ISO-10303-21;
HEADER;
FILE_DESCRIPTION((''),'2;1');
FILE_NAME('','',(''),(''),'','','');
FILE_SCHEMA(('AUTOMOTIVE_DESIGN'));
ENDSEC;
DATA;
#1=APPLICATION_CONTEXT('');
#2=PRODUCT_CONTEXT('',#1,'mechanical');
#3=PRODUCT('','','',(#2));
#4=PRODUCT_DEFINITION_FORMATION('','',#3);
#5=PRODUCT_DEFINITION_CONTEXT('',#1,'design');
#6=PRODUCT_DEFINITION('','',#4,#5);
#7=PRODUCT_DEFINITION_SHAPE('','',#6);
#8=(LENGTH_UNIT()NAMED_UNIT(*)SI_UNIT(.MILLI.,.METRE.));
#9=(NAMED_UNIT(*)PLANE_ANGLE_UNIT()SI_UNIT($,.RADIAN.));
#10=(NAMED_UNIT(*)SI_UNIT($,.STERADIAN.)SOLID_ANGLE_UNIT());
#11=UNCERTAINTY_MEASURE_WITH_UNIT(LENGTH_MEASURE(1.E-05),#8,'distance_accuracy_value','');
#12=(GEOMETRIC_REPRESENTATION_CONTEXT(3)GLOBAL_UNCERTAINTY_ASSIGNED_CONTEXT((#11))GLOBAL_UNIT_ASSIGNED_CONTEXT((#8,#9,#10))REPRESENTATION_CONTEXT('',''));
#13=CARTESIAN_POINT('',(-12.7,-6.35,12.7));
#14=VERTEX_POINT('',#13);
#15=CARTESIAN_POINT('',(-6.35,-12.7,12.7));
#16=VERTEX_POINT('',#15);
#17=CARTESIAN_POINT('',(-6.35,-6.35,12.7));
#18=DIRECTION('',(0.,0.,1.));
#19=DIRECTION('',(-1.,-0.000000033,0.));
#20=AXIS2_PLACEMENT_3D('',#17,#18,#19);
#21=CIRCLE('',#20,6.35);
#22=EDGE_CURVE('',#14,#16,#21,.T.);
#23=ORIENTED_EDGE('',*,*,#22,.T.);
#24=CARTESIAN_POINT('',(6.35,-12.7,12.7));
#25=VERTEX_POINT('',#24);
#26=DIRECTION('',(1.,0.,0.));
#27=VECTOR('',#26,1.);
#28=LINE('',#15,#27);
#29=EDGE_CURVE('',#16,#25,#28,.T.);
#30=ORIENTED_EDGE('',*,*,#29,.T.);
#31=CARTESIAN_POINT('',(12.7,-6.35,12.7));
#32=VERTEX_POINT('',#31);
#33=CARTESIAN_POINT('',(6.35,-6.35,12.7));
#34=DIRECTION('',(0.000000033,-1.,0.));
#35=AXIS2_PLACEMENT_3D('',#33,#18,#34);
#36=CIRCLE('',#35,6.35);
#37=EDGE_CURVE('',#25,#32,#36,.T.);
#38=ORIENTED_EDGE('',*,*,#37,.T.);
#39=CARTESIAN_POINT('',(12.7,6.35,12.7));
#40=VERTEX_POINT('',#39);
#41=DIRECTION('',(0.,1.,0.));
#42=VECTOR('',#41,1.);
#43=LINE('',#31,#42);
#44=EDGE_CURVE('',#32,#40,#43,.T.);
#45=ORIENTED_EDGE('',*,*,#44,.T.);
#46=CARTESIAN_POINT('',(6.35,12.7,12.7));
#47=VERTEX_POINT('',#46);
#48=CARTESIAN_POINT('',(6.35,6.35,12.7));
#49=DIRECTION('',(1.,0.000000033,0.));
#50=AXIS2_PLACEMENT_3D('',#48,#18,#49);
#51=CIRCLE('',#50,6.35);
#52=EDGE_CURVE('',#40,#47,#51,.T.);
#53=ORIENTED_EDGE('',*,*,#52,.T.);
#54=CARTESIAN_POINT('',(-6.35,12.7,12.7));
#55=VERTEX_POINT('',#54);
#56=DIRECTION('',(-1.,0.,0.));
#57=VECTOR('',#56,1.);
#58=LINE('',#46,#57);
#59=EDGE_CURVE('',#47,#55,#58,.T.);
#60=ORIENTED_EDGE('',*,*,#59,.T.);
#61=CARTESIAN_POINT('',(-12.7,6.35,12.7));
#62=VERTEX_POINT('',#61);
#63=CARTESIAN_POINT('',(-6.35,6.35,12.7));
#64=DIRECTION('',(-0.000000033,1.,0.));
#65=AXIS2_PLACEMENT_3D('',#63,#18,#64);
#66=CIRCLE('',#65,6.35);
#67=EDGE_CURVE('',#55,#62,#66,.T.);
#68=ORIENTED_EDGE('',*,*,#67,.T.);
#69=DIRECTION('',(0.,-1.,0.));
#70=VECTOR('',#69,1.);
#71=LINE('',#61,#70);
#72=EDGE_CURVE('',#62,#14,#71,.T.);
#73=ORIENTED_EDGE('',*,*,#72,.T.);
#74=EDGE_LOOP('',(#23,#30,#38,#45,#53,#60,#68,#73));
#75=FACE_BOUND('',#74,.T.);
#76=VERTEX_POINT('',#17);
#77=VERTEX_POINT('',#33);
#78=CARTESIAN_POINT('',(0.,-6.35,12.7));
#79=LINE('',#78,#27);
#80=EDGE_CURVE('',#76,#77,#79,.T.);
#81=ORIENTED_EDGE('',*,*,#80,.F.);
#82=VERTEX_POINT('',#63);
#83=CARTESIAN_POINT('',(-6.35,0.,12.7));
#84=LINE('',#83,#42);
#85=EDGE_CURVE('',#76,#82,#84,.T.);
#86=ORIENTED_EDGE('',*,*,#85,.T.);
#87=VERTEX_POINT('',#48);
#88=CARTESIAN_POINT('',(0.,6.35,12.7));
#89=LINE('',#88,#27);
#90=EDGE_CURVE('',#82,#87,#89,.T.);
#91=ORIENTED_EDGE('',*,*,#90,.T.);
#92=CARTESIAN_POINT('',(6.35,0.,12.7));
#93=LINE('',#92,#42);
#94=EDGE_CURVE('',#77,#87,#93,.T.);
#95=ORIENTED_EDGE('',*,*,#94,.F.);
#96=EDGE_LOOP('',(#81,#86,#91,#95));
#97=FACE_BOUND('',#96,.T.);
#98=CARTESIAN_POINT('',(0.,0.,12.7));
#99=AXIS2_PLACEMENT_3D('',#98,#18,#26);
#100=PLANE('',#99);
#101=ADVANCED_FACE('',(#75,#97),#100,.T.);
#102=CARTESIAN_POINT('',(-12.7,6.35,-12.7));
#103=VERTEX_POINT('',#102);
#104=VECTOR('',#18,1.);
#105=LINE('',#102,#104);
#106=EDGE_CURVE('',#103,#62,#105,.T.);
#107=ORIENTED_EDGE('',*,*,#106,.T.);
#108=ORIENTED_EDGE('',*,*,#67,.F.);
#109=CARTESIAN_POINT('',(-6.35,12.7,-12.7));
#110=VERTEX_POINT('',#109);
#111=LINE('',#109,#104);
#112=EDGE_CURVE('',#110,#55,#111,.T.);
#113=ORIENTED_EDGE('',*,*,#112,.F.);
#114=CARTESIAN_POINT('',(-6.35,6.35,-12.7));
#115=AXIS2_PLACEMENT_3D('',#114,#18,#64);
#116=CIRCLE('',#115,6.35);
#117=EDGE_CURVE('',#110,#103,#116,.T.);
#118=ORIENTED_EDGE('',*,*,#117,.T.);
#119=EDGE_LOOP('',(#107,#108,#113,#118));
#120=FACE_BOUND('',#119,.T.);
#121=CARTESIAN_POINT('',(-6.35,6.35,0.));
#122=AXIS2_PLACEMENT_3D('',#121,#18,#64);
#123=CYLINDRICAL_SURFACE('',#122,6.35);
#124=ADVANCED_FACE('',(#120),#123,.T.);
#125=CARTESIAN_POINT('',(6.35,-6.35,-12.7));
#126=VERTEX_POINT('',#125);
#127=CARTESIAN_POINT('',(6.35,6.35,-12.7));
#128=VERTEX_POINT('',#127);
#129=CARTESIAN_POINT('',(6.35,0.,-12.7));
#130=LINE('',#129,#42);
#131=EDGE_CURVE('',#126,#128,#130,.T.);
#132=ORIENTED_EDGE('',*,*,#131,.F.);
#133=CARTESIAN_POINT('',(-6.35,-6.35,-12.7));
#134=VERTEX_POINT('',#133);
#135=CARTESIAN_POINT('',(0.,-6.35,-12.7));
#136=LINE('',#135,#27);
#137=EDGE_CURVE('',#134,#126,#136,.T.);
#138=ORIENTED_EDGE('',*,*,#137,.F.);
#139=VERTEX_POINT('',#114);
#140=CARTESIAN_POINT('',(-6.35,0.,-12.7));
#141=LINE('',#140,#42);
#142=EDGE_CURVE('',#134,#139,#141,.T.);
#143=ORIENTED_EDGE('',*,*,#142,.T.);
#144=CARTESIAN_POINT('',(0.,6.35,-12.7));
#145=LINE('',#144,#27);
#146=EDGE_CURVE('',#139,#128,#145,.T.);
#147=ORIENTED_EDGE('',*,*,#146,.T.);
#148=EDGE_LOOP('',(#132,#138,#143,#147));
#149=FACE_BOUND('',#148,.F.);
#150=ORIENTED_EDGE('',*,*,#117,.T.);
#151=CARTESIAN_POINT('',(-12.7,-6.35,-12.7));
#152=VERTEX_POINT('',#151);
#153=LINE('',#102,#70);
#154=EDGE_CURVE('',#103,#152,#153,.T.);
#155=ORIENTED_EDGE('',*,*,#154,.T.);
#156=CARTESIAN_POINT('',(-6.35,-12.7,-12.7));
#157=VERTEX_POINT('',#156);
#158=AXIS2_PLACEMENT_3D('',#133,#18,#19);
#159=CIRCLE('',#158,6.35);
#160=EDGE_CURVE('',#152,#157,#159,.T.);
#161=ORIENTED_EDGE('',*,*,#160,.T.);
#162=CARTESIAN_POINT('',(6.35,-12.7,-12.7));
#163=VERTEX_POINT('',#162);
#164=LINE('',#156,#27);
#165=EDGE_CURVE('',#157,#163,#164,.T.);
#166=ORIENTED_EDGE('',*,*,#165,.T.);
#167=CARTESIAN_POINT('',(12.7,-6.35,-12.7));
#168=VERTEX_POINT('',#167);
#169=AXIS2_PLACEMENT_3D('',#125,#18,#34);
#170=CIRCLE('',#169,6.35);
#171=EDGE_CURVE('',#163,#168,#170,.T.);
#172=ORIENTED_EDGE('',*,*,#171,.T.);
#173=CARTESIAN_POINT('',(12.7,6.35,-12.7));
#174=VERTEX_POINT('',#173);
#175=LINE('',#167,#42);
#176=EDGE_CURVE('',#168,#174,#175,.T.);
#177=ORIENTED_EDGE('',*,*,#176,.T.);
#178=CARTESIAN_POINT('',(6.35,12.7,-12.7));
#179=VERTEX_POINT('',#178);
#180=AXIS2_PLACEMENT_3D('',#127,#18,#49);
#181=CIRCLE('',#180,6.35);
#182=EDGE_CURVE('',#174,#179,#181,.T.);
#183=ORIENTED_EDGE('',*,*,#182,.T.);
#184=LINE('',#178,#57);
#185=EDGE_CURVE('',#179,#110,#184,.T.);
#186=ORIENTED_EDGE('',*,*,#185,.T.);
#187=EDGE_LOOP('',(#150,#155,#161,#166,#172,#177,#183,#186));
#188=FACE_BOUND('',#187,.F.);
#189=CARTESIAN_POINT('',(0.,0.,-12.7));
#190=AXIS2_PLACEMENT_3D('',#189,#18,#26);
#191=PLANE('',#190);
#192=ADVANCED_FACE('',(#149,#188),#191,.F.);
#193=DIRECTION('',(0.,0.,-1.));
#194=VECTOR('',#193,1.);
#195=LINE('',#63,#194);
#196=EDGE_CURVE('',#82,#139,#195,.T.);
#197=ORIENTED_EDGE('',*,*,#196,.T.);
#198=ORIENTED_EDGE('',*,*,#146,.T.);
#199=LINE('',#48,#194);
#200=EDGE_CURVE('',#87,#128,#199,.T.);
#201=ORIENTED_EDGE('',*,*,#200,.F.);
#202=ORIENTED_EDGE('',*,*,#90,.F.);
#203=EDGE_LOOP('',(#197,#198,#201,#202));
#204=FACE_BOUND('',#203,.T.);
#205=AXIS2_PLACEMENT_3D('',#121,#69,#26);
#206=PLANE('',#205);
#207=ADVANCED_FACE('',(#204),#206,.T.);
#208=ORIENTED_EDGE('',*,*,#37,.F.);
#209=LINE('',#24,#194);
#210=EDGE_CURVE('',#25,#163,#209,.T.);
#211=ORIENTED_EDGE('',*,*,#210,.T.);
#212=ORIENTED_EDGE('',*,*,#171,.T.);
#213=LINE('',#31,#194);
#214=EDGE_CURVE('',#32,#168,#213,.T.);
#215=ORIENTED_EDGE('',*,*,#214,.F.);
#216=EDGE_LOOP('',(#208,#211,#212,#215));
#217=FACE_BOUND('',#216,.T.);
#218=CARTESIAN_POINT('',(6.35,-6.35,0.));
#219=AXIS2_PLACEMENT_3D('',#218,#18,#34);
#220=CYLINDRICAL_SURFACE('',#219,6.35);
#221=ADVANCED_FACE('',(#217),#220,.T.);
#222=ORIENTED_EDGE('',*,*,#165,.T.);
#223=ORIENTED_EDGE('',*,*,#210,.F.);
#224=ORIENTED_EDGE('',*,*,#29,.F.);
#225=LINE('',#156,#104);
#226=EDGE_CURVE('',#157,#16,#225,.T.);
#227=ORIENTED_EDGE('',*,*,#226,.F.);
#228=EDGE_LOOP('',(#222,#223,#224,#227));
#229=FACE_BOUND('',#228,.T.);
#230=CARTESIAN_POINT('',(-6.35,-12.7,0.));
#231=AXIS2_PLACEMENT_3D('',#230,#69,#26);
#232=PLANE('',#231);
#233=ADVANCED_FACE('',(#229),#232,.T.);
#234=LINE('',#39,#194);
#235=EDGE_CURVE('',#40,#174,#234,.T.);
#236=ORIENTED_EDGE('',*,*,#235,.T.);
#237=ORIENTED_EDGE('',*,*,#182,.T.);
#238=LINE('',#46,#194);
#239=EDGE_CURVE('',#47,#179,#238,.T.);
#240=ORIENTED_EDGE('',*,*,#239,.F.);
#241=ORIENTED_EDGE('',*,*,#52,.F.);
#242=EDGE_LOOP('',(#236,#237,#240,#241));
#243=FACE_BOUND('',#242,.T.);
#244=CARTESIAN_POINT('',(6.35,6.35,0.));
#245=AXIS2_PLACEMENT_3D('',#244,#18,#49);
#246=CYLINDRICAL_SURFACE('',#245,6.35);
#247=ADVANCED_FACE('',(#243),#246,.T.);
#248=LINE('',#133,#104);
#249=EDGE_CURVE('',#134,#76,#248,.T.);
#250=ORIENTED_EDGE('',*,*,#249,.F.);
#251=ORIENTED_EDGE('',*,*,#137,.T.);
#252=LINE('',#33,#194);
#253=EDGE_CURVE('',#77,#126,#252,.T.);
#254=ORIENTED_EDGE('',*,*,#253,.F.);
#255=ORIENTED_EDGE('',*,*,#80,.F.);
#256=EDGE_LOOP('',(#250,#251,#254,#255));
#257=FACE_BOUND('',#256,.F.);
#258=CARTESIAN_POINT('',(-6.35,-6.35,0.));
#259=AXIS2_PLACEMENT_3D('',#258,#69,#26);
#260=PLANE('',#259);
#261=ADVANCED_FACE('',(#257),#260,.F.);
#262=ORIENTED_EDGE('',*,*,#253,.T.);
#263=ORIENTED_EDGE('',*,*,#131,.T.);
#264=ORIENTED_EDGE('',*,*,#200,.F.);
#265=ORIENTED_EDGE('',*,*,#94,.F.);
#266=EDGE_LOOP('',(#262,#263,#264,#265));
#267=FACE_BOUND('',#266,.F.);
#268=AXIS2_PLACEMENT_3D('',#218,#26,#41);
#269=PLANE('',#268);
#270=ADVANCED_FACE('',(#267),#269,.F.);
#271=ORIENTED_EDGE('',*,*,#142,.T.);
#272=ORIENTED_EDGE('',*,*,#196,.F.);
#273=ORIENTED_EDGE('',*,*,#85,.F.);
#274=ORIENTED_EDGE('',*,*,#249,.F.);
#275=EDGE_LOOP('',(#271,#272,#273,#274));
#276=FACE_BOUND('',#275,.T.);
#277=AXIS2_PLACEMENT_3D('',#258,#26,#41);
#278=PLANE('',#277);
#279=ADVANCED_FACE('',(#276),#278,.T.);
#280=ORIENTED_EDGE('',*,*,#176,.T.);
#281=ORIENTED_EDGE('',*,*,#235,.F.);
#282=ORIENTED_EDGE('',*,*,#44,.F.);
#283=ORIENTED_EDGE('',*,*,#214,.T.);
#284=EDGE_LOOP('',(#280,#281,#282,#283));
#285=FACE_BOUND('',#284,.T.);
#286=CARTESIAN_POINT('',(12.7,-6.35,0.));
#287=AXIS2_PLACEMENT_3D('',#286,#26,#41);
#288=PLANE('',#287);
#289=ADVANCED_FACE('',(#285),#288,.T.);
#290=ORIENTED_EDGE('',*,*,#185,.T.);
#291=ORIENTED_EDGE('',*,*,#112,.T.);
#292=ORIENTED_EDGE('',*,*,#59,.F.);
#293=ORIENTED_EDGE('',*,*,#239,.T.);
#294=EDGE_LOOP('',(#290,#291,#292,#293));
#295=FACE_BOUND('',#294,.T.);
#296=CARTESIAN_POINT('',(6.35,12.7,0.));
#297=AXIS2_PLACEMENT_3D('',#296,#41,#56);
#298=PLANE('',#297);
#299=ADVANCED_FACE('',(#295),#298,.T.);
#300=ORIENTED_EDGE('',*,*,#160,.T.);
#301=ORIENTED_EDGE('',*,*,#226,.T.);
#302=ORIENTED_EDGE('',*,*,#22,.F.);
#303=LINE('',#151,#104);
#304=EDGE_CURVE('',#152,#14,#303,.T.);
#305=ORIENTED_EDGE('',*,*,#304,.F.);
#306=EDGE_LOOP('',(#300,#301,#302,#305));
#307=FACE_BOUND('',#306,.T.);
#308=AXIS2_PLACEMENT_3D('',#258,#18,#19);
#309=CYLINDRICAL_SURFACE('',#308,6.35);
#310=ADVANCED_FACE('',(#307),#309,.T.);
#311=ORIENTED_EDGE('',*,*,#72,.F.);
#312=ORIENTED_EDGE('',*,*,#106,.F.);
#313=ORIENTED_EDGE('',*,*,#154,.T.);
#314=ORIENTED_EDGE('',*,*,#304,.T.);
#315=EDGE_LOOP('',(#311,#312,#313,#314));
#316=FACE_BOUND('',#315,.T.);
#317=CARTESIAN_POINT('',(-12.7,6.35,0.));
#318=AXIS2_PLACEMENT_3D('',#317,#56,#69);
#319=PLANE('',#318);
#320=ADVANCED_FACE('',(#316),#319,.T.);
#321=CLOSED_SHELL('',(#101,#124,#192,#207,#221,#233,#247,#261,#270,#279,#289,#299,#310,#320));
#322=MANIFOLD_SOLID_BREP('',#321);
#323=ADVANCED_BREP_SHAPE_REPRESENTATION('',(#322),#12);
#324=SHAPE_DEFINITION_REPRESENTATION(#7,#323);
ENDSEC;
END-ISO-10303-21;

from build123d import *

# Parameters (mm, degrees)
F0_W     = 12.7
F0_H     = 12.7
F1_DEPTH = 12.7


with BuildPart() as f1:
    # F0 (on Top) → F1 (new body, symmetric)
    with BuildSketch(Plane.XY):
        with BuildLine():
            Line((6.35, 12.7), (-6.35, 12.7))
            ThreePointArc((-6.35, 12.7), (-10.840128, 10.840128), (-12.7, 6.35))
            Line((-12.7, 6.35), (-12.7, -6.35))
            ThreePointArc((-12.7, -6.35), (-10.840128, -10.840128), (-6.35, -12.7))
            Line((-6.35, -12.7), (6.35, -12.7))
            ThreePointArc((6.35, -12.7), (10.840128, -10.840128), (12.7, -6.35))
            Line((12.7, -6.35), (12.7, 6.35))
            ThreePointArc((12.7, 6.35), (10.840128, 10.840128), (6.35, 12.7))
        make_face()
        Rectangle(F0_W, F0_H, mode=Mode.SUBTRACT)
    extrude(amount=F1_DEPTH, both=True)


solid = f1.part
